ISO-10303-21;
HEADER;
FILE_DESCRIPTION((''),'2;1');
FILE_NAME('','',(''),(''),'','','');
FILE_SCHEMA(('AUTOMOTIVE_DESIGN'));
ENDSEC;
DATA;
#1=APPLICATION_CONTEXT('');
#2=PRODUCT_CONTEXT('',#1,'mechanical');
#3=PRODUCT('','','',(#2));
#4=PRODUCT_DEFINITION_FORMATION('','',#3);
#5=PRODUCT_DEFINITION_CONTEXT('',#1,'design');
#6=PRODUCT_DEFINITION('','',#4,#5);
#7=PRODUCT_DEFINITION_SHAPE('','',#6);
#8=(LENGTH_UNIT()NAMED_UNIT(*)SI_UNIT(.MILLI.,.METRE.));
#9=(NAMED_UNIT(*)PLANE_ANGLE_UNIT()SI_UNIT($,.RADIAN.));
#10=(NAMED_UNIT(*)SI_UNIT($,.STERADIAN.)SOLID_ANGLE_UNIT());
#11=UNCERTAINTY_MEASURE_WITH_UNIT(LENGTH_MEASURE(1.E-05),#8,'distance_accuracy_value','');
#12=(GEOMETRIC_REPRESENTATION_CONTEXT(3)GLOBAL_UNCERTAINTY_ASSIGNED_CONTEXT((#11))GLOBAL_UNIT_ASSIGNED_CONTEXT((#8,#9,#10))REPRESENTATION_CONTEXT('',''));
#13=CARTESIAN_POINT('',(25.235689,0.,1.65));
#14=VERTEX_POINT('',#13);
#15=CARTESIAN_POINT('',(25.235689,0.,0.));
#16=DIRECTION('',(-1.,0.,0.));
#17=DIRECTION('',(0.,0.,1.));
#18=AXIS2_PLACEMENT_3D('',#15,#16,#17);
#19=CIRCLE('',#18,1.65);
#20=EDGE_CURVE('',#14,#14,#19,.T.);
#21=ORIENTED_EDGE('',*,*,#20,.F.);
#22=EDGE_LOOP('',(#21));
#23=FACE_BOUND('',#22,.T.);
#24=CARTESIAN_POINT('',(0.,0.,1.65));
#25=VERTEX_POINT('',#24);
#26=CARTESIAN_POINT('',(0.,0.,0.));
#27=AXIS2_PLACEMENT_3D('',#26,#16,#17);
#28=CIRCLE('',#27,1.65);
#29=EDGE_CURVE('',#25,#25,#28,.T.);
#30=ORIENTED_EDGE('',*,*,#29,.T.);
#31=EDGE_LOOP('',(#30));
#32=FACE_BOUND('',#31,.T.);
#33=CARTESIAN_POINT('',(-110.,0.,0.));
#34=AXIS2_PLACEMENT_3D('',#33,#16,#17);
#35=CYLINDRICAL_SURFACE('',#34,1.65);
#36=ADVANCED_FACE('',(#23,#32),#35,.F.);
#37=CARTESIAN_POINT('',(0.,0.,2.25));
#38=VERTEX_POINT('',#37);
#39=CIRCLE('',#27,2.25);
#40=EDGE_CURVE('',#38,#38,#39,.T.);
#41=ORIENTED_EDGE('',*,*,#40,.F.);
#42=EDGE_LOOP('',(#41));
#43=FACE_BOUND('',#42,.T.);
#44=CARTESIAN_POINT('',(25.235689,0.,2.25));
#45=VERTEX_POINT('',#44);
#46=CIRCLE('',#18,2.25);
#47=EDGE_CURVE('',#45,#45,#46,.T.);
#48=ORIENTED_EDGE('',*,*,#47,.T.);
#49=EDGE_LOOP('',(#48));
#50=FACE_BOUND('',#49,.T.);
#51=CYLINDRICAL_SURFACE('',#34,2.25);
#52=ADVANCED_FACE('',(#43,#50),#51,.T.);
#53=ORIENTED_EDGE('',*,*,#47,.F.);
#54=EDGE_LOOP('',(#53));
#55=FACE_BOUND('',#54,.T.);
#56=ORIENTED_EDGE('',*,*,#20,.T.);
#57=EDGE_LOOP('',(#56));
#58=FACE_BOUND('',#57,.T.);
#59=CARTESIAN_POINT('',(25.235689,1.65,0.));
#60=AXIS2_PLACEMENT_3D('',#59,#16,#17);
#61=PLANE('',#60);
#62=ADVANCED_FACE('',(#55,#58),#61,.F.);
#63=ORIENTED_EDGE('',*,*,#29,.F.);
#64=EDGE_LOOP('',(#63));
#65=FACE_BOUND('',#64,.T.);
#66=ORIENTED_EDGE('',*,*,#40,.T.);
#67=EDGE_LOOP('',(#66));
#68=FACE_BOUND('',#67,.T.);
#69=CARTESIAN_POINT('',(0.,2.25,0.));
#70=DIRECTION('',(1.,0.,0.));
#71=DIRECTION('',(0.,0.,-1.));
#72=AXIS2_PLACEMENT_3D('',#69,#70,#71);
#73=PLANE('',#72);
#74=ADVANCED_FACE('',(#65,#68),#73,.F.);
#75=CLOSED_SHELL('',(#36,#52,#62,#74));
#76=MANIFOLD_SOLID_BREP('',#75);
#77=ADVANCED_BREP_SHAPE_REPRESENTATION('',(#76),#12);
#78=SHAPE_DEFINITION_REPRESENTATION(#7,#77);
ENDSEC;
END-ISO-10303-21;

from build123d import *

# Parameters (mm, degrees)
AXIAL_PROFILE_MM_W = 25.235689014
AXIAL_PROFILE_MM_H = 0.6


with BuildPart() as part:
    # Axial profile (mm) → Full revolution (revolve)
    with BuildSketch(Plane.XY, mode=Mode.PRIVATE) as full_revolution_sk:
        with Locations((12.617844507, 1.95)):
            Rectangle(AXIAL_PROFILE_MM_W, AXIAL_PROFILE_MM_H)
    revolve(full_revolution_sk.sketch.rotate(Axis((-110, 0, 0), (1, 0, 0)), 90), axis=Axis((-110, 0, 0), (1, 0, 0)))


solid = part.part
